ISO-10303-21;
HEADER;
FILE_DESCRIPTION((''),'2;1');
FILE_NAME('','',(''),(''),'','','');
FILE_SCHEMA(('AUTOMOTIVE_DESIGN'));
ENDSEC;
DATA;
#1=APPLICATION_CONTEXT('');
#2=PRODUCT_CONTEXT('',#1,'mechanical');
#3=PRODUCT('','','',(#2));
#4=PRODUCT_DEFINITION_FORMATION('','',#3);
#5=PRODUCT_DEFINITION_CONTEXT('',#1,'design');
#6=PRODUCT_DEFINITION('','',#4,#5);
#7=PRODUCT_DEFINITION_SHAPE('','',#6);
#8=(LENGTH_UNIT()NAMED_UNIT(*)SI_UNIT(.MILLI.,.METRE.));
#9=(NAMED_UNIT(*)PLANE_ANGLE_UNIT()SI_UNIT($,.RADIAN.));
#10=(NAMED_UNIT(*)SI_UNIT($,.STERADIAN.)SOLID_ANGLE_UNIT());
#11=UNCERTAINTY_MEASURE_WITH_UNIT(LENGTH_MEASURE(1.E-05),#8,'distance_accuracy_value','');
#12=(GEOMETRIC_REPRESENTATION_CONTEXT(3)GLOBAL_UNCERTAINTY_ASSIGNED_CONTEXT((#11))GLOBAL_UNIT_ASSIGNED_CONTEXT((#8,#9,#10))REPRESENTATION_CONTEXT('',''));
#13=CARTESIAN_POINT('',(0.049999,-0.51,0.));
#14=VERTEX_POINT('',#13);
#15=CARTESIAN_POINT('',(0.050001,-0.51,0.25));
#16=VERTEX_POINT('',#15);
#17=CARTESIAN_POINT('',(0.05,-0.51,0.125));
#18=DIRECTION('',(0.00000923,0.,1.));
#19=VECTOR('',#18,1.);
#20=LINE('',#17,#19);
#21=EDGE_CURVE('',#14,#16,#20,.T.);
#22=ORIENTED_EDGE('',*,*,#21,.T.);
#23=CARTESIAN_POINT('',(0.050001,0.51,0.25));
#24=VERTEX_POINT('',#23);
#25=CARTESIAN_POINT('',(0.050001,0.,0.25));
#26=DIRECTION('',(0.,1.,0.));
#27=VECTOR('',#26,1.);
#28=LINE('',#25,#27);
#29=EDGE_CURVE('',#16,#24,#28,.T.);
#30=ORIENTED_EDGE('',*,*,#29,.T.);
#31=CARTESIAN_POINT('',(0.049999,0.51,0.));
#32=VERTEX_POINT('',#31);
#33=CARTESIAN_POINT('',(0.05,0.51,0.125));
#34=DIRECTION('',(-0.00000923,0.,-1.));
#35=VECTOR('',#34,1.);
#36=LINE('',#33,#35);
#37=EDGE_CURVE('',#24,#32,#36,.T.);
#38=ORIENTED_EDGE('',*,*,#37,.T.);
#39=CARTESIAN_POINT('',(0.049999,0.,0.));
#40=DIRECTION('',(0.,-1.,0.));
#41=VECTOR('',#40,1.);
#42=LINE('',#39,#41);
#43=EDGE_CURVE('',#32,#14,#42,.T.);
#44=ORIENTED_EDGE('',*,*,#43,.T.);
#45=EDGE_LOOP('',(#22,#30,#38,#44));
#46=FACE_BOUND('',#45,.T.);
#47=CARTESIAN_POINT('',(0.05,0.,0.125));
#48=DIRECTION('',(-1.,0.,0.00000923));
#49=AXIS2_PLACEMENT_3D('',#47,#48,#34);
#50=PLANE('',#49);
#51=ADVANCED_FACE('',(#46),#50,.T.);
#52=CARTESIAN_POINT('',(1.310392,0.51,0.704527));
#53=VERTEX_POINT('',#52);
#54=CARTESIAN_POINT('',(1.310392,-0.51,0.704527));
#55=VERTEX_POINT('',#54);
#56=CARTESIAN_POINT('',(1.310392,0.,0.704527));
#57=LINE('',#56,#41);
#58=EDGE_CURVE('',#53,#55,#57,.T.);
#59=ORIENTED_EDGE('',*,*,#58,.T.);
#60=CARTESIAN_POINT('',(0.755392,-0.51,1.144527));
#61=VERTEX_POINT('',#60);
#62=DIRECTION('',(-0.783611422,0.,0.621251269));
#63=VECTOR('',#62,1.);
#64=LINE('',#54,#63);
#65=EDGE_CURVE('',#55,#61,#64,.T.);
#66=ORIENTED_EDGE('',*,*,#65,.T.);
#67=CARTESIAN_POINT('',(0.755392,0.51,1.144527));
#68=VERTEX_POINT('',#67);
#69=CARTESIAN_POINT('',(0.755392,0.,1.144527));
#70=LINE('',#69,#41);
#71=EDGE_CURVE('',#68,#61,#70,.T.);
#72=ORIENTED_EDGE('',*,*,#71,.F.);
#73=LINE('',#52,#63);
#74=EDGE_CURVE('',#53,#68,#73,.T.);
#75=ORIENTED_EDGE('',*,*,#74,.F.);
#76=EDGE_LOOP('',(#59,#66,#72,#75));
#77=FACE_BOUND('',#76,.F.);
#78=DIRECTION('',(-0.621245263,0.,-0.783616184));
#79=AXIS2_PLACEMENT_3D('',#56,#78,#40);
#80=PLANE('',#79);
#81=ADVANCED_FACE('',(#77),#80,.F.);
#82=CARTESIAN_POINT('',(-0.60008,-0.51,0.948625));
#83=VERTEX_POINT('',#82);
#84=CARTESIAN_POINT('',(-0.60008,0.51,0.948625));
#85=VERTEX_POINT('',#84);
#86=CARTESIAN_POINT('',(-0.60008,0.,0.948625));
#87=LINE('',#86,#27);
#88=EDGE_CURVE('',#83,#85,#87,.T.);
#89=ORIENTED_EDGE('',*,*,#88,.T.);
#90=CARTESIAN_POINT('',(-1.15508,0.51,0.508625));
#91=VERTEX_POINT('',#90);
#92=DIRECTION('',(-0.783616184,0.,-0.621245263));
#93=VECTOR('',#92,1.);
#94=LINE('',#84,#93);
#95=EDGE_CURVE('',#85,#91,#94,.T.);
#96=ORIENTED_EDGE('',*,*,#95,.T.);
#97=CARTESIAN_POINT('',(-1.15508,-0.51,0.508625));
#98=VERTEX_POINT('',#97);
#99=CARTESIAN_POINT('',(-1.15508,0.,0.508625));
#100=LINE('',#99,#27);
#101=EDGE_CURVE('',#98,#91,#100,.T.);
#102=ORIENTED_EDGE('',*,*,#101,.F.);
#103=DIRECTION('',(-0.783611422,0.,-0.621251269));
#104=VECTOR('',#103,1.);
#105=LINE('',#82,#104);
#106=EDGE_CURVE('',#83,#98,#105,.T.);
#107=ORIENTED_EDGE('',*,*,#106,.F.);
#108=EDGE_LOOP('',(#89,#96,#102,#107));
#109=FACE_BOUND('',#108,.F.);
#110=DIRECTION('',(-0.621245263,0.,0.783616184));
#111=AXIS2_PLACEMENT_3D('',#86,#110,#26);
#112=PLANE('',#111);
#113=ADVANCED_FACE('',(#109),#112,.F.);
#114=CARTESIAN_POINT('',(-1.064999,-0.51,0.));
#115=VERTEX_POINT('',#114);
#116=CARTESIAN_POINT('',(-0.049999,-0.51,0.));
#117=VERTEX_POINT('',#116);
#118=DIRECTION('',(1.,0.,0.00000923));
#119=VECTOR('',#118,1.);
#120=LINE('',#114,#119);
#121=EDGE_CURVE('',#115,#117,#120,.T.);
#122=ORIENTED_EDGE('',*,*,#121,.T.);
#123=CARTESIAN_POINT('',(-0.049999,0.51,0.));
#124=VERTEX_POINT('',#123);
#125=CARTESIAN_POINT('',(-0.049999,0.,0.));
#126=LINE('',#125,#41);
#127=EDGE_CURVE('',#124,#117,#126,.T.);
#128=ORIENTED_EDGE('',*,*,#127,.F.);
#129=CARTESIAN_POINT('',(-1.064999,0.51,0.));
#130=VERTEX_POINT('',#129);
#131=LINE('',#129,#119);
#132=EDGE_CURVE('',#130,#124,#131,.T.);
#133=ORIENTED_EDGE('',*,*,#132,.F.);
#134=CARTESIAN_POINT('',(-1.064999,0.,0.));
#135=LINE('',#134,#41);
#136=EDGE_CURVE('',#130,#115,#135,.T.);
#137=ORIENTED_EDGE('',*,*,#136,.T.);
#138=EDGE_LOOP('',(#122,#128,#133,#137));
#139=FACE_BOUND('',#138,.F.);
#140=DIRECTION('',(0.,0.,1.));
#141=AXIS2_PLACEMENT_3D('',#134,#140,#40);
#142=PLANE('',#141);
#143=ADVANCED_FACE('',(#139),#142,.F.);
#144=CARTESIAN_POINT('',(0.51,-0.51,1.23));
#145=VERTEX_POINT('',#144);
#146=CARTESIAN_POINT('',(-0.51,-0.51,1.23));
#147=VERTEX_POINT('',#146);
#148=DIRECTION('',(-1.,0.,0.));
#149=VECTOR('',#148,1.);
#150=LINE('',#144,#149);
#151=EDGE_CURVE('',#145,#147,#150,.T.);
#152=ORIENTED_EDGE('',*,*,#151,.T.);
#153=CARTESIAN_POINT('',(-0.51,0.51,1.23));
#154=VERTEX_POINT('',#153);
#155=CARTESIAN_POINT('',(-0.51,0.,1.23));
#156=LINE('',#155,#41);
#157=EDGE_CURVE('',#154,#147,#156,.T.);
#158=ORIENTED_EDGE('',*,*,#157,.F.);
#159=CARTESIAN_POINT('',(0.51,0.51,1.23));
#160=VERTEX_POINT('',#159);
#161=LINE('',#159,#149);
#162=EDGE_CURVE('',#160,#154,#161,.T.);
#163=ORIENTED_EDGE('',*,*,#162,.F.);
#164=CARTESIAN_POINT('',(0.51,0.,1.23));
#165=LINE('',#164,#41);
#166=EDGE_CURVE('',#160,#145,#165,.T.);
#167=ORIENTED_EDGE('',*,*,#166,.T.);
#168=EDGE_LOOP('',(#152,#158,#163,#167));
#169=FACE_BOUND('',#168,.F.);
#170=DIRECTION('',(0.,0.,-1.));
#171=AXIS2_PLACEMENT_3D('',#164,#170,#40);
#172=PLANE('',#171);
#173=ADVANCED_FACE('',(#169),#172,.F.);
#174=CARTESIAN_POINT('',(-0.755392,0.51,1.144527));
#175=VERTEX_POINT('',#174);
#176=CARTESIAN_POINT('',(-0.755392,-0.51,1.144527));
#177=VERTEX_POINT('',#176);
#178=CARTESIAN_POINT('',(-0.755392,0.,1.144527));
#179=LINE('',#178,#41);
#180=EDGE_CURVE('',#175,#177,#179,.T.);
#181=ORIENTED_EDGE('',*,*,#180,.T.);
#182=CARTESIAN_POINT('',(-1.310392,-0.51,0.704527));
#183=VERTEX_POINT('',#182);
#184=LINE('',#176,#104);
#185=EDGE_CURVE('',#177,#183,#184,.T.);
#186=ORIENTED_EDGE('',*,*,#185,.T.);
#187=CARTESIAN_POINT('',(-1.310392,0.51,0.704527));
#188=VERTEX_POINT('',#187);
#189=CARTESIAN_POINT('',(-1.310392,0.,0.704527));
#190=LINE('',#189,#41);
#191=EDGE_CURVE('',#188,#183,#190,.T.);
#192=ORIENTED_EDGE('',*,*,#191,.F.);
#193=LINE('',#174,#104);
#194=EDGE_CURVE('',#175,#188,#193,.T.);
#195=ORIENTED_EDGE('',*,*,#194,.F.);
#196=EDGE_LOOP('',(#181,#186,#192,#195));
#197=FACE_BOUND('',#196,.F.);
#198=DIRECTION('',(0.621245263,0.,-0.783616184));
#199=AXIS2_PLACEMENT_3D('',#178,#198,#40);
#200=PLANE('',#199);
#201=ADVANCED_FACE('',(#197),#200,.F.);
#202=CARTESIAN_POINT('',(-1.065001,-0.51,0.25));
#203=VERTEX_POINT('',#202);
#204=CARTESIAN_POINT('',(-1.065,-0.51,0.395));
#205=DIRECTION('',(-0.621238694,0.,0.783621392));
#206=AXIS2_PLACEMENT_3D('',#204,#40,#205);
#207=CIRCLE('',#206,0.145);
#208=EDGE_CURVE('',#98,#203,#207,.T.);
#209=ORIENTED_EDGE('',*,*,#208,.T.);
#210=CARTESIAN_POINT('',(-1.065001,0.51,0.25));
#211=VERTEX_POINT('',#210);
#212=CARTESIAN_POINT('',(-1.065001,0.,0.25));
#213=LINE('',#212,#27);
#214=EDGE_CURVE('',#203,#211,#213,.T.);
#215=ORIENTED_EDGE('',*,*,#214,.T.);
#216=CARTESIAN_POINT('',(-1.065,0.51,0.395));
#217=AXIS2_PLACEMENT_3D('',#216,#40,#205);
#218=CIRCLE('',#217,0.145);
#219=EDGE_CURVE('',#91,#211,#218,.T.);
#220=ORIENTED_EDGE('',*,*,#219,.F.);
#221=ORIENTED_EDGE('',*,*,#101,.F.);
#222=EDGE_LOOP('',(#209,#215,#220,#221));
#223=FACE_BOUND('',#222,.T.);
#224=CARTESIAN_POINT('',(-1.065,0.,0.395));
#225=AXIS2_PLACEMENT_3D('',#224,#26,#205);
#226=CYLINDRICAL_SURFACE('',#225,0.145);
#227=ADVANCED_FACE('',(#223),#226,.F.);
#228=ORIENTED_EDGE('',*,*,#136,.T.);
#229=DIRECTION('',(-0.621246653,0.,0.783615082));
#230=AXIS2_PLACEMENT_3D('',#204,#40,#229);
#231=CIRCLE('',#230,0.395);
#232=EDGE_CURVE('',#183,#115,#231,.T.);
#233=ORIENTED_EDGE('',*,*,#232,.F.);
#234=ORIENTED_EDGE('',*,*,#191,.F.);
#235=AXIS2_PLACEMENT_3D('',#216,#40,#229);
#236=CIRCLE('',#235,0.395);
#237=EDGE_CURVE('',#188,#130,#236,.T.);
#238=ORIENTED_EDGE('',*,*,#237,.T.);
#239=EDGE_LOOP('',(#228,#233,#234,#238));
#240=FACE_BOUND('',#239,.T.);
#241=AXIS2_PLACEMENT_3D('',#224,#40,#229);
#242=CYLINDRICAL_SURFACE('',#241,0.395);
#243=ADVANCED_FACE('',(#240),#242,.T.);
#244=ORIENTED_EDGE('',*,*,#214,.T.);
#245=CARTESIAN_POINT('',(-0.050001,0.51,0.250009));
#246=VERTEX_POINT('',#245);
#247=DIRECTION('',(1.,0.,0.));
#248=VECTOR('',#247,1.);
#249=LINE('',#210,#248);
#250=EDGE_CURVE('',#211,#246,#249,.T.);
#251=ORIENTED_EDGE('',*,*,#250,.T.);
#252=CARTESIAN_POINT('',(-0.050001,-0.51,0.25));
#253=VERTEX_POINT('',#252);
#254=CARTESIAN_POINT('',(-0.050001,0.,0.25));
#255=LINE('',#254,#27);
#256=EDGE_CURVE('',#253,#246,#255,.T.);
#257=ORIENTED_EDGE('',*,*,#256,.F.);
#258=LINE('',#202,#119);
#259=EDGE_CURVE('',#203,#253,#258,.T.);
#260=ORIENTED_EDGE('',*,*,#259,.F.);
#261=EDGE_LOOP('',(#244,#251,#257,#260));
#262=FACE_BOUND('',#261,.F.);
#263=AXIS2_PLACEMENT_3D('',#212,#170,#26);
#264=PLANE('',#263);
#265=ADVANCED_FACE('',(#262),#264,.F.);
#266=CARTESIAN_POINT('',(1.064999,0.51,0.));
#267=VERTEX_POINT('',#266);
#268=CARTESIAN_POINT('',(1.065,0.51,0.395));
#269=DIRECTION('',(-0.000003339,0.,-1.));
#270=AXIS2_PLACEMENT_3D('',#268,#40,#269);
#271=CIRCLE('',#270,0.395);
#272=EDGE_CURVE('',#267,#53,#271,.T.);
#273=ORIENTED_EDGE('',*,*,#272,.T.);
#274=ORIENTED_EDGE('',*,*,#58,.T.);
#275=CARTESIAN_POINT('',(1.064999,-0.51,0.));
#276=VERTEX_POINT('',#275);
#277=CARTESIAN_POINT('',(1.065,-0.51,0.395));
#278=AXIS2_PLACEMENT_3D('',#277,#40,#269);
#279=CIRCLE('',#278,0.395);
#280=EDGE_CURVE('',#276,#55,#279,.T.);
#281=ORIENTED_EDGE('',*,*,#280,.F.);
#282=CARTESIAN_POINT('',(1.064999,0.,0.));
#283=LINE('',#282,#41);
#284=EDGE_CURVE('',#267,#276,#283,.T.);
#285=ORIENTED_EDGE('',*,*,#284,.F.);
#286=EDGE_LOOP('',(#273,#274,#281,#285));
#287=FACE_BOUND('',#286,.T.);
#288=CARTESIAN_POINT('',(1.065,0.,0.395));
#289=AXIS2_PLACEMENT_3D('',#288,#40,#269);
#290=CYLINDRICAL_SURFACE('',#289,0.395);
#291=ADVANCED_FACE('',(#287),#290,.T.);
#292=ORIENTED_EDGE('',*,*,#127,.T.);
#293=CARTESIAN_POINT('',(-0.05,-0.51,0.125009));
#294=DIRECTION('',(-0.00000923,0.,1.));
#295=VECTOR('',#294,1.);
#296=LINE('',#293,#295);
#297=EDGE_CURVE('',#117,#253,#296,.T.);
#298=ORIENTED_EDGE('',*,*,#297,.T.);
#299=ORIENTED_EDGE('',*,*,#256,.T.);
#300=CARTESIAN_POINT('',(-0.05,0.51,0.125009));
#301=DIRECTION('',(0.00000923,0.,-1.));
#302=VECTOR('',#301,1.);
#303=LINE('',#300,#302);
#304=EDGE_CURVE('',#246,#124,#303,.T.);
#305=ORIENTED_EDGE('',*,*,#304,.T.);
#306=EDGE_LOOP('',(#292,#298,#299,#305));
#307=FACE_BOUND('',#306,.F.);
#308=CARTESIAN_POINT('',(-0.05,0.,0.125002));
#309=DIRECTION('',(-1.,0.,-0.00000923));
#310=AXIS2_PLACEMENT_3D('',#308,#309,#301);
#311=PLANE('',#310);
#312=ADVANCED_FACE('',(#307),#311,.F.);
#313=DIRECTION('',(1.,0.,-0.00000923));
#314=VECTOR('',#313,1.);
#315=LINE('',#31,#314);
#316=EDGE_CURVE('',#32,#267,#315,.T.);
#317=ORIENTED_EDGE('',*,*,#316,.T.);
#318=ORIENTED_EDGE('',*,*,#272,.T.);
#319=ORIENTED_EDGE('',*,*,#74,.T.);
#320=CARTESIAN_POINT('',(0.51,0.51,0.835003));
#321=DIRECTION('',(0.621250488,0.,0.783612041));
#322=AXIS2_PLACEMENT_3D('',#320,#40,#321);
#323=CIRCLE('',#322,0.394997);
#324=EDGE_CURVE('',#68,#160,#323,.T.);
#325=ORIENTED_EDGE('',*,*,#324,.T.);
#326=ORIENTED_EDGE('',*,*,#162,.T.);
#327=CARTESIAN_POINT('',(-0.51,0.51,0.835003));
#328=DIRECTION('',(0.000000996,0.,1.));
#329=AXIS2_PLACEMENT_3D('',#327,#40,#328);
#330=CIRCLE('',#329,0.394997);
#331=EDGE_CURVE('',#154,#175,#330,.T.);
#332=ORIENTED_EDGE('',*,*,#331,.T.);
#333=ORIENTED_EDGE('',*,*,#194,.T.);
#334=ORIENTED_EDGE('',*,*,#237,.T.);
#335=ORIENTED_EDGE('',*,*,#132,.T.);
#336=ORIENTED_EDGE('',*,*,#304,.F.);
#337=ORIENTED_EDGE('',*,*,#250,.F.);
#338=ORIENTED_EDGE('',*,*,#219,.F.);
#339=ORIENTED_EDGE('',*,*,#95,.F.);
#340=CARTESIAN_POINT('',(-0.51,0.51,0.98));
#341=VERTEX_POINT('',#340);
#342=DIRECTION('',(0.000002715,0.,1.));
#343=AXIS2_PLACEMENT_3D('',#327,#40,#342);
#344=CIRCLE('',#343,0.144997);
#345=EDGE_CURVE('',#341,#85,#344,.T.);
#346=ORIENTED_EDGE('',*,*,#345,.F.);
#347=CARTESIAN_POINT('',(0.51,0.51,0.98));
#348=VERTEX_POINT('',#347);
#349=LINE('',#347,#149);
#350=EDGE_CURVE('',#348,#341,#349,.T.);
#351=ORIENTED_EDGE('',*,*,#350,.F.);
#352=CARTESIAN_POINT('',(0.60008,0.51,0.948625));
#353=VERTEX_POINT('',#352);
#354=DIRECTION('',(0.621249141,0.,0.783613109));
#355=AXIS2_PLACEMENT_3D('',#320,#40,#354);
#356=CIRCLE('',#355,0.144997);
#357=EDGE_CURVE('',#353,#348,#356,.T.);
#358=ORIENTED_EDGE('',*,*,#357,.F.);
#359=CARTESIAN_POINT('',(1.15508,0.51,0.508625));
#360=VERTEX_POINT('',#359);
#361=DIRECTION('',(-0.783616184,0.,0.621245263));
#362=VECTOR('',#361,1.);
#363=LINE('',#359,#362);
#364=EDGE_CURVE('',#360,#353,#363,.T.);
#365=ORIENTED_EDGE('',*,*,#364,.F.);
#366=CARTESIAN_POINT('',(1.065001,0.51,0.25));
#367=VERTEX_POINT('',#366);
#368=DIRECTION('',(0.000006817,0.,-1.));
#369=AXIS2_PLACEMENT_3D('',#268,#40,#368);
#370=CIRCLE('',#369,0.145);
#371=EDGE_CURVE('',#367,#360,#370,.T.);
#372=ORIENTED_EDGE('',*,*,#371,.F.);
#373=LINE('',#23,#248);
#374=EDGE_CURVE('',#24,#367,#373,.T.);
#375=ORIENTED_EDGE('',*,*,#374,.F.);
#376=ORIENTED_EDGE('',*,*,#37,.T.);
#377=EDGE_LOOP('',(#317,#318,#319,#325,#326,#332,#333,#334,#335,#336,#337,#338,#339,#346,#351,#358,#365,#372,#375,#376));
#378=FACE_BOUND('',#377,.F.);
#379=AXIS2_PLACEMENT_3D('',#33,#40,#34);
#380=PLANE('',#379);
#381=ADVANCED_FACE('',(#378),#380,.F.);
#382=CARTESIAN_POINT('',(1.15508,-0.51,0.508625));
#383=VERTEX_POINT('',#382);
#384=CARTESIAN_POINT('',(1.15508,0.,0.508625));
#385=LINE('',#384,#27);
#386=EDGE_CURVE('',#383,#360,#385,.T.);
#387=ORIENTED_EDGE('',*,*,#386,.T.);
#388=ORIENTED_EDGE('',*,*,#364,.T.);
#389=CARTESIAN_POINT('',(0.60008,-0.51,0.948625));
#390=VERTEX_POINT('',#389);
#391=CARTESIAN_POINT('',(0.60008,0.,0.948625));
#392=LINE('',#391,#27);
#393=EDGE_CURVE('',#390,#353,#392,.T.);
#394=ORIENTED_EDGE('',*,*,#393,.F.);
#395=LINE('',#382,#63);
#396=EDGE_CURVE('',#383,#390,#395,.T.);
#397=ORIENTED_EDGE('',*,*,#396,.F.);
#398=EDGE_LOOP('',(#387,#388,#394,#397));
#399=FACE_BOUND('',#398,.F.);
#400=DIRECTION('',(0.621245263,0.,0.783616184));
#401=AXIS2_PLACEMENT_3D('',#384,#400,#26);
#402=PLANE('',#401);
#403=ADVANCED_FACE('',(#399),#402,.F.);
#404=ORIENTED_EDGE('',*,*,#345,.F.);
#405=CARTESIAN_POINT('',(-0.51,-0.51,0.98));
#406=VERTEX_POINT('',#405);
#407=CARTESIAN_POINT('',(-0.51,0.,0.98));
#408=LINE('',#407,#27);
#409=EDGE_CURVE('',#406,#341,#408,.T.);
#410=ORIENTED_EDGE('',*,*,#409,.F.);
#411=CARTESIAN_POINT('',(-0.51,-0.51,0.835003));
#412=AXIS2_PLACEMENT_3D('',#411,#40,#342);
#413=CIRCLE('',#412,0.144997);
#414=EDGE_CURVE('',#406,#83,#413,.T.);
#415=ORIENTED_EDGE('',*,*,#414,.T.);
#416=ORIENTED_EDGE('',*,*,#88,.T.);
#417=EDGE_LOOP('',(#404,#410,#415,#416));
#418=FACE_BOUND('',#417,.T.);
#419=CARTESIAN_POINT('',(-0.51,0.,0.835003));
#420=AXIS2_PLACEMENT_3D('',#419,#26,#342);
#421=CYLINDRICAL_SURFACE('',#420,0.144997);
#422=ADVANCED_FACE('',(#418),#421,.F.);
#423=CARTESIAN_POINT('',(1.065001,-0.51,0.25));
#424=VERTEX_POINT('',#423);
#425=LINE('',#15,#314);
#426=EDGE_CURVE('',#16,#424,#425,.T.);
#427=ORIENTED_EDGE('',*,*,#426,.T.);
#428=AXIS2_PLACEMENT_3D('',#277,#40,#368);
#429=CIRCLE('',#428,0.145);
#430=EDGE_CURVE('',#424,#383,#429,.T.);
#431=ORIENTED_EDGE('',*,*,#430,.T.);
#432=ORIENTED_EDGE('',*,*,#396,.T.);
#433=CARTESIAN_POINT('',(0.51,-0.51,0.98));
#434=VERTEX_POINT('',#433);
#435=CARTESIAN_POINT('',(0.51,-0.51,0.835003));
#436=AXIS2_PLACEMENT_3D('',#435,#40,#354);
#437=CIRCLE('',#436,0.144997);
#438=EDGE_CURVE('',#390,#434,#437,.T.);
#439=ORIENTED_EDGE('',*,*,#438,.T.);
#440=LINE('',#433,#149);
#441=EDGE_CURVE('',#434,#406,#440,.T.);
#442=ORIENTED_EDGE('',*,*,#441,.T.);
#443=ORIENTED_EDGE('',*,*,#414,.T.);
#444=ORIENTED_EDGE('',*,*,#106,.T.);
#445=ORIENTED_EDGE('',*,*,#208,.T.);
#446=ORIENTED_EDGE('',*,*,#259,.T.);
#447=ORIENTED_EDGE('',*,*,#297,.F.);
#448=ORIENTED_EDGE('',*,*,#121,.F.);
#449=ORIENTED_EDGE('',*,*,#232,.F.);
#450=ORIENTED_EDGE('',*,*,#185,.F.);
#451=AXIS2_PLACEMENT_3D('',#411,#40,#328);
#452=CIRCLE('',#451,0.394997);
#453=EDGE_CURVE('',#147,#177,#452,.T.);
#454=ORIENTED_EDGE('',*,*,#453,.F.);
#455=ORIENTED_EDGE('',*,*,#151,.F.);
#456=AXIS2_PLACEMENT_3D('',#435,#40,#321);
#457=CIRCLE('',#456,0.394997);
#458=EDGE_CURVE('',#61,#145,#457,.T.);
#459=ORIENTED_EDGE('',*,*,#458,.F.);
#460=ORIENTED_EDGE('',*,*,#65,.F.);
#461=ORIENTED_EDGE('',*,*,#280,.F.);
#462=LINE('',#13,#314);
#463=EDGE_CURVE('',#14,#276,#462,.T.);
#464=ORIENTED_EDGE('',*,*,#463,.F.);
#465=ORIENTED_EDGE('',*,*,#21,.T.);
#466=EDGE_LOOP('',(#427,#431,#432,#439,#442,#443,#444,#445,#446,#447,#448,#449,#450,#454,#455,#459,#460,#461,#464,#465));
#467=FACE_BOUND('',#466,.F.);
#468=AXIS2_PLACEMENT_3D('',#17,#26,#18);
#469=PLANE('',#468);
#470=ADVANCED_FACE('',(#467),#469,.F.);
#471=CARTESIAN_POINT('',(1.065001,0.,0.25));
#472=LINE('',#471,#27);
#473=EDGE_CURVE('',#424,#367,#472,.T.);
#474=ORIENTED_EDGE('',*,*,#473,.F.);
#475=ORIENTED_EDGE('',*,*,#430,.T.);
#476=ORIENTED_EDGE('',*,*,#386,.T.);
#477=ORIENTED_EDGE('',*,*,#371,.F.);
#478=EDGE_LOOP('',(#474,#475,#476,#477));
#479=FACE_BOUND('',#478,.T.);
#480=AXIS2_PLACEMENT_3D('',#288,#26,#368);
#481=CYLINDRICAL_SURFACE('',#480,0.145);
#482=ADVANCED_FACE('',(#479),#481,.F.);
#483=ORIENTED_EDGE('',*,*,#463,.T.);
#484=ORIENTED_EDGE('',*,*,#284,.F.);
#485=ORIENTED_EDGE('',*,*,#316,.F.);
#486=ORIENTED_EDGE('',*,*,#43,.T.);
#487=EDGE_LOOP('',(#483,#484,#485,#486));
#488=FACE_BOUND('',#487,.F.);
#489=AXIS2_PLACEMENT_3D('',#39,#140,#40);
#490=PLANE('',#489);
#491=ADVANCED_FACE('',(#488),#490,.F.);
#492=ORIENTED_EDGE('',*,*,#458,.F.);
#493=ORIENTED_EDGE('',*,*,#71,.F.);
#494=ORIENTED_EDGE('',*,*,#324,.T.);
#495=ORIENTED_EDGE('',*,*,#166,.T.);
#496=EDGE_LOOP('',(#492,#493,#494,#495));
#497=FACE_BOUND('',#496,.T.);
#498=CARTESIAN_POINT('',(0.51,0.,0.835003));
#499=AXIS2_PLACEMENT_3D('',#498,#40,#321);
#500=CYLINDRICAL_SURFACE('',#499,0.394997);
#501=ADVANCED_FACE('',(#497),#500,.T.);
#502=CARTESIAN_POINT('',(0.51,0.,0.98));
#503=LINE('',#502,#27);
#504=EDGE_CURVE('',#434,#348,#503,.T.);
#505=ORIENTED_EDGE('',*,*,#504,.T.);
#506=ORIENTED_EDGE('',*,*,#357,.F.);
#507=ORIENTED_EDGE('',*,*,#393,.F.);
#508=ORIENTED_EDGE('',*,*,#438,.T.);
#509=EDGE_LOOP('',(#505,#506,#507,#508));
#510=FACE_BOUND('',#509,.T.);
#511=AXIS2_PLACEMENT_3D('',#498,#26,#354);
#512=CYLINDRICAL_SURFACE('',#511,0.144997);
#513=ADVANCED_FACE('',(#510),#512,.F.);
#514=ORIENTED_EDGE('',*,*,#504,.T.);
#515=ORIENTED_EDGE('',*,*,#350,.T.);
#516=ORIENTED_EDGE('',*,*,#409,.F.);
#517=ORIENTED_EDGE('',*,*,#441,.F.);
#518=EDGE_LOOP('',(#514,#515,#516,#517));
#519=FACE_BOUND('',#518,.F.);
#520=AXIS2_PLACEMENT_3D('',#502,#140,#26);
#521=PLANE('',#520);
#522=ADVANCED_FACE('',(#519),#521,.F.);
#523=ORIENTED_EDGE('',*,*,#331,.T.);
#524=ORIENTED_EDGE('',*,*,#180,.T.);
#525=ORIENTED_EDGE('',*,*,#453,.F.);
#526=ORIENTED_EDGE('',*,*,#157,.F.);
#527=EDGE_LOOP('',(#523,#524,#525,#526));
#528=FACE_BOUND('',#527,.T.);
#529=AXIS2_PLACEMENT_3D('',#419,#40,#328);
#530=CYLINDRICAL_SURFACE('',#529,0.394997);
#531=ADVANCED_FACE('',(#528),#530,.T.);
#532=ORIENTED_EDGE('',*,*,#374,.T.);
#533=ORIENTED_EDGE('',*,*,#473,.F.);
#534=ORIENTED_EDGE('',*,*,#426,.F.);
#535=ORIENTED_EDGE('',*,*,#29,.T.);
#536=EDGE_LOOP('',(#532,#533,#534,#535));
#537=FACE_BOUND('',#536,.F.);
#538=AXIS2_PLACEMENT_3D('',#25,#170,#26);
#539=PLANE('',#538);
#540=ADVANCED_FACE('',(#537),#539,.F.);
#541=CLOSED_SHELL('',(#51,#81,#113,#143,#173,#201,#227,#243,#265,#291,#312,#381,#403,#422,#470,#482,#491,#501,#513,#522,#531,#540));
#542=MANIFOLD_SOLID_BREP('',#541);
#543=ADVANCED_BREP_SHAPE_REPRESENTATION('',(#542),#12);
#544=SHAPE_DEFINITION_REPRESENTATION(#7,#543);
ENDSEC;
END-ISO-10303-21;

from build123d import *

# Parameters (mm, degrees)
SKETCH001_W = 1.02
SKETCH001_H = 0.25


with BuildPart() as part:
    # AdditivePipe: sweep along a path in Sketch
    with BuildLine(Plane.XZ) as additivepipe_path:
        Line((0.05, 0.125), (1.065, 0.125))
        ThreePointArc((1.065, 0.125), (1.319976, 0.30619), (1.232736, 0.606576))
        Line((1.232736, 0.606576), (0.677736, 1.046576))
        ThreePointArc((0.677736, 1.046576), (0.59881, 1.089976), (0.51, 1.105))
        Line((0.51, 1.105), (-0.51, 1.105))
        ThreePointArc((-0.51, 1.105), (-0.59881, 1.089976), (-0.677736, 1.046576))
        Line((-0.677736, 1.046576), (-1.232736, 0.606576))
        ThreePointArc((-1.232736, 0.606576), (-1.319976, 0.30619), (-1.065, 0.125))
        Line((-1.065, 0.125), (-0.05, 0.125))
    # Sketch001 → AdditivePipe (sweep)
    with BuildSketch(Plane.YZ):
        with Locations((0, 1.105)):
            Rectangle(SKETCH001_W, SKETCH001_H)
    sweep(path=additivepipe_path.line)


solid = part.part
